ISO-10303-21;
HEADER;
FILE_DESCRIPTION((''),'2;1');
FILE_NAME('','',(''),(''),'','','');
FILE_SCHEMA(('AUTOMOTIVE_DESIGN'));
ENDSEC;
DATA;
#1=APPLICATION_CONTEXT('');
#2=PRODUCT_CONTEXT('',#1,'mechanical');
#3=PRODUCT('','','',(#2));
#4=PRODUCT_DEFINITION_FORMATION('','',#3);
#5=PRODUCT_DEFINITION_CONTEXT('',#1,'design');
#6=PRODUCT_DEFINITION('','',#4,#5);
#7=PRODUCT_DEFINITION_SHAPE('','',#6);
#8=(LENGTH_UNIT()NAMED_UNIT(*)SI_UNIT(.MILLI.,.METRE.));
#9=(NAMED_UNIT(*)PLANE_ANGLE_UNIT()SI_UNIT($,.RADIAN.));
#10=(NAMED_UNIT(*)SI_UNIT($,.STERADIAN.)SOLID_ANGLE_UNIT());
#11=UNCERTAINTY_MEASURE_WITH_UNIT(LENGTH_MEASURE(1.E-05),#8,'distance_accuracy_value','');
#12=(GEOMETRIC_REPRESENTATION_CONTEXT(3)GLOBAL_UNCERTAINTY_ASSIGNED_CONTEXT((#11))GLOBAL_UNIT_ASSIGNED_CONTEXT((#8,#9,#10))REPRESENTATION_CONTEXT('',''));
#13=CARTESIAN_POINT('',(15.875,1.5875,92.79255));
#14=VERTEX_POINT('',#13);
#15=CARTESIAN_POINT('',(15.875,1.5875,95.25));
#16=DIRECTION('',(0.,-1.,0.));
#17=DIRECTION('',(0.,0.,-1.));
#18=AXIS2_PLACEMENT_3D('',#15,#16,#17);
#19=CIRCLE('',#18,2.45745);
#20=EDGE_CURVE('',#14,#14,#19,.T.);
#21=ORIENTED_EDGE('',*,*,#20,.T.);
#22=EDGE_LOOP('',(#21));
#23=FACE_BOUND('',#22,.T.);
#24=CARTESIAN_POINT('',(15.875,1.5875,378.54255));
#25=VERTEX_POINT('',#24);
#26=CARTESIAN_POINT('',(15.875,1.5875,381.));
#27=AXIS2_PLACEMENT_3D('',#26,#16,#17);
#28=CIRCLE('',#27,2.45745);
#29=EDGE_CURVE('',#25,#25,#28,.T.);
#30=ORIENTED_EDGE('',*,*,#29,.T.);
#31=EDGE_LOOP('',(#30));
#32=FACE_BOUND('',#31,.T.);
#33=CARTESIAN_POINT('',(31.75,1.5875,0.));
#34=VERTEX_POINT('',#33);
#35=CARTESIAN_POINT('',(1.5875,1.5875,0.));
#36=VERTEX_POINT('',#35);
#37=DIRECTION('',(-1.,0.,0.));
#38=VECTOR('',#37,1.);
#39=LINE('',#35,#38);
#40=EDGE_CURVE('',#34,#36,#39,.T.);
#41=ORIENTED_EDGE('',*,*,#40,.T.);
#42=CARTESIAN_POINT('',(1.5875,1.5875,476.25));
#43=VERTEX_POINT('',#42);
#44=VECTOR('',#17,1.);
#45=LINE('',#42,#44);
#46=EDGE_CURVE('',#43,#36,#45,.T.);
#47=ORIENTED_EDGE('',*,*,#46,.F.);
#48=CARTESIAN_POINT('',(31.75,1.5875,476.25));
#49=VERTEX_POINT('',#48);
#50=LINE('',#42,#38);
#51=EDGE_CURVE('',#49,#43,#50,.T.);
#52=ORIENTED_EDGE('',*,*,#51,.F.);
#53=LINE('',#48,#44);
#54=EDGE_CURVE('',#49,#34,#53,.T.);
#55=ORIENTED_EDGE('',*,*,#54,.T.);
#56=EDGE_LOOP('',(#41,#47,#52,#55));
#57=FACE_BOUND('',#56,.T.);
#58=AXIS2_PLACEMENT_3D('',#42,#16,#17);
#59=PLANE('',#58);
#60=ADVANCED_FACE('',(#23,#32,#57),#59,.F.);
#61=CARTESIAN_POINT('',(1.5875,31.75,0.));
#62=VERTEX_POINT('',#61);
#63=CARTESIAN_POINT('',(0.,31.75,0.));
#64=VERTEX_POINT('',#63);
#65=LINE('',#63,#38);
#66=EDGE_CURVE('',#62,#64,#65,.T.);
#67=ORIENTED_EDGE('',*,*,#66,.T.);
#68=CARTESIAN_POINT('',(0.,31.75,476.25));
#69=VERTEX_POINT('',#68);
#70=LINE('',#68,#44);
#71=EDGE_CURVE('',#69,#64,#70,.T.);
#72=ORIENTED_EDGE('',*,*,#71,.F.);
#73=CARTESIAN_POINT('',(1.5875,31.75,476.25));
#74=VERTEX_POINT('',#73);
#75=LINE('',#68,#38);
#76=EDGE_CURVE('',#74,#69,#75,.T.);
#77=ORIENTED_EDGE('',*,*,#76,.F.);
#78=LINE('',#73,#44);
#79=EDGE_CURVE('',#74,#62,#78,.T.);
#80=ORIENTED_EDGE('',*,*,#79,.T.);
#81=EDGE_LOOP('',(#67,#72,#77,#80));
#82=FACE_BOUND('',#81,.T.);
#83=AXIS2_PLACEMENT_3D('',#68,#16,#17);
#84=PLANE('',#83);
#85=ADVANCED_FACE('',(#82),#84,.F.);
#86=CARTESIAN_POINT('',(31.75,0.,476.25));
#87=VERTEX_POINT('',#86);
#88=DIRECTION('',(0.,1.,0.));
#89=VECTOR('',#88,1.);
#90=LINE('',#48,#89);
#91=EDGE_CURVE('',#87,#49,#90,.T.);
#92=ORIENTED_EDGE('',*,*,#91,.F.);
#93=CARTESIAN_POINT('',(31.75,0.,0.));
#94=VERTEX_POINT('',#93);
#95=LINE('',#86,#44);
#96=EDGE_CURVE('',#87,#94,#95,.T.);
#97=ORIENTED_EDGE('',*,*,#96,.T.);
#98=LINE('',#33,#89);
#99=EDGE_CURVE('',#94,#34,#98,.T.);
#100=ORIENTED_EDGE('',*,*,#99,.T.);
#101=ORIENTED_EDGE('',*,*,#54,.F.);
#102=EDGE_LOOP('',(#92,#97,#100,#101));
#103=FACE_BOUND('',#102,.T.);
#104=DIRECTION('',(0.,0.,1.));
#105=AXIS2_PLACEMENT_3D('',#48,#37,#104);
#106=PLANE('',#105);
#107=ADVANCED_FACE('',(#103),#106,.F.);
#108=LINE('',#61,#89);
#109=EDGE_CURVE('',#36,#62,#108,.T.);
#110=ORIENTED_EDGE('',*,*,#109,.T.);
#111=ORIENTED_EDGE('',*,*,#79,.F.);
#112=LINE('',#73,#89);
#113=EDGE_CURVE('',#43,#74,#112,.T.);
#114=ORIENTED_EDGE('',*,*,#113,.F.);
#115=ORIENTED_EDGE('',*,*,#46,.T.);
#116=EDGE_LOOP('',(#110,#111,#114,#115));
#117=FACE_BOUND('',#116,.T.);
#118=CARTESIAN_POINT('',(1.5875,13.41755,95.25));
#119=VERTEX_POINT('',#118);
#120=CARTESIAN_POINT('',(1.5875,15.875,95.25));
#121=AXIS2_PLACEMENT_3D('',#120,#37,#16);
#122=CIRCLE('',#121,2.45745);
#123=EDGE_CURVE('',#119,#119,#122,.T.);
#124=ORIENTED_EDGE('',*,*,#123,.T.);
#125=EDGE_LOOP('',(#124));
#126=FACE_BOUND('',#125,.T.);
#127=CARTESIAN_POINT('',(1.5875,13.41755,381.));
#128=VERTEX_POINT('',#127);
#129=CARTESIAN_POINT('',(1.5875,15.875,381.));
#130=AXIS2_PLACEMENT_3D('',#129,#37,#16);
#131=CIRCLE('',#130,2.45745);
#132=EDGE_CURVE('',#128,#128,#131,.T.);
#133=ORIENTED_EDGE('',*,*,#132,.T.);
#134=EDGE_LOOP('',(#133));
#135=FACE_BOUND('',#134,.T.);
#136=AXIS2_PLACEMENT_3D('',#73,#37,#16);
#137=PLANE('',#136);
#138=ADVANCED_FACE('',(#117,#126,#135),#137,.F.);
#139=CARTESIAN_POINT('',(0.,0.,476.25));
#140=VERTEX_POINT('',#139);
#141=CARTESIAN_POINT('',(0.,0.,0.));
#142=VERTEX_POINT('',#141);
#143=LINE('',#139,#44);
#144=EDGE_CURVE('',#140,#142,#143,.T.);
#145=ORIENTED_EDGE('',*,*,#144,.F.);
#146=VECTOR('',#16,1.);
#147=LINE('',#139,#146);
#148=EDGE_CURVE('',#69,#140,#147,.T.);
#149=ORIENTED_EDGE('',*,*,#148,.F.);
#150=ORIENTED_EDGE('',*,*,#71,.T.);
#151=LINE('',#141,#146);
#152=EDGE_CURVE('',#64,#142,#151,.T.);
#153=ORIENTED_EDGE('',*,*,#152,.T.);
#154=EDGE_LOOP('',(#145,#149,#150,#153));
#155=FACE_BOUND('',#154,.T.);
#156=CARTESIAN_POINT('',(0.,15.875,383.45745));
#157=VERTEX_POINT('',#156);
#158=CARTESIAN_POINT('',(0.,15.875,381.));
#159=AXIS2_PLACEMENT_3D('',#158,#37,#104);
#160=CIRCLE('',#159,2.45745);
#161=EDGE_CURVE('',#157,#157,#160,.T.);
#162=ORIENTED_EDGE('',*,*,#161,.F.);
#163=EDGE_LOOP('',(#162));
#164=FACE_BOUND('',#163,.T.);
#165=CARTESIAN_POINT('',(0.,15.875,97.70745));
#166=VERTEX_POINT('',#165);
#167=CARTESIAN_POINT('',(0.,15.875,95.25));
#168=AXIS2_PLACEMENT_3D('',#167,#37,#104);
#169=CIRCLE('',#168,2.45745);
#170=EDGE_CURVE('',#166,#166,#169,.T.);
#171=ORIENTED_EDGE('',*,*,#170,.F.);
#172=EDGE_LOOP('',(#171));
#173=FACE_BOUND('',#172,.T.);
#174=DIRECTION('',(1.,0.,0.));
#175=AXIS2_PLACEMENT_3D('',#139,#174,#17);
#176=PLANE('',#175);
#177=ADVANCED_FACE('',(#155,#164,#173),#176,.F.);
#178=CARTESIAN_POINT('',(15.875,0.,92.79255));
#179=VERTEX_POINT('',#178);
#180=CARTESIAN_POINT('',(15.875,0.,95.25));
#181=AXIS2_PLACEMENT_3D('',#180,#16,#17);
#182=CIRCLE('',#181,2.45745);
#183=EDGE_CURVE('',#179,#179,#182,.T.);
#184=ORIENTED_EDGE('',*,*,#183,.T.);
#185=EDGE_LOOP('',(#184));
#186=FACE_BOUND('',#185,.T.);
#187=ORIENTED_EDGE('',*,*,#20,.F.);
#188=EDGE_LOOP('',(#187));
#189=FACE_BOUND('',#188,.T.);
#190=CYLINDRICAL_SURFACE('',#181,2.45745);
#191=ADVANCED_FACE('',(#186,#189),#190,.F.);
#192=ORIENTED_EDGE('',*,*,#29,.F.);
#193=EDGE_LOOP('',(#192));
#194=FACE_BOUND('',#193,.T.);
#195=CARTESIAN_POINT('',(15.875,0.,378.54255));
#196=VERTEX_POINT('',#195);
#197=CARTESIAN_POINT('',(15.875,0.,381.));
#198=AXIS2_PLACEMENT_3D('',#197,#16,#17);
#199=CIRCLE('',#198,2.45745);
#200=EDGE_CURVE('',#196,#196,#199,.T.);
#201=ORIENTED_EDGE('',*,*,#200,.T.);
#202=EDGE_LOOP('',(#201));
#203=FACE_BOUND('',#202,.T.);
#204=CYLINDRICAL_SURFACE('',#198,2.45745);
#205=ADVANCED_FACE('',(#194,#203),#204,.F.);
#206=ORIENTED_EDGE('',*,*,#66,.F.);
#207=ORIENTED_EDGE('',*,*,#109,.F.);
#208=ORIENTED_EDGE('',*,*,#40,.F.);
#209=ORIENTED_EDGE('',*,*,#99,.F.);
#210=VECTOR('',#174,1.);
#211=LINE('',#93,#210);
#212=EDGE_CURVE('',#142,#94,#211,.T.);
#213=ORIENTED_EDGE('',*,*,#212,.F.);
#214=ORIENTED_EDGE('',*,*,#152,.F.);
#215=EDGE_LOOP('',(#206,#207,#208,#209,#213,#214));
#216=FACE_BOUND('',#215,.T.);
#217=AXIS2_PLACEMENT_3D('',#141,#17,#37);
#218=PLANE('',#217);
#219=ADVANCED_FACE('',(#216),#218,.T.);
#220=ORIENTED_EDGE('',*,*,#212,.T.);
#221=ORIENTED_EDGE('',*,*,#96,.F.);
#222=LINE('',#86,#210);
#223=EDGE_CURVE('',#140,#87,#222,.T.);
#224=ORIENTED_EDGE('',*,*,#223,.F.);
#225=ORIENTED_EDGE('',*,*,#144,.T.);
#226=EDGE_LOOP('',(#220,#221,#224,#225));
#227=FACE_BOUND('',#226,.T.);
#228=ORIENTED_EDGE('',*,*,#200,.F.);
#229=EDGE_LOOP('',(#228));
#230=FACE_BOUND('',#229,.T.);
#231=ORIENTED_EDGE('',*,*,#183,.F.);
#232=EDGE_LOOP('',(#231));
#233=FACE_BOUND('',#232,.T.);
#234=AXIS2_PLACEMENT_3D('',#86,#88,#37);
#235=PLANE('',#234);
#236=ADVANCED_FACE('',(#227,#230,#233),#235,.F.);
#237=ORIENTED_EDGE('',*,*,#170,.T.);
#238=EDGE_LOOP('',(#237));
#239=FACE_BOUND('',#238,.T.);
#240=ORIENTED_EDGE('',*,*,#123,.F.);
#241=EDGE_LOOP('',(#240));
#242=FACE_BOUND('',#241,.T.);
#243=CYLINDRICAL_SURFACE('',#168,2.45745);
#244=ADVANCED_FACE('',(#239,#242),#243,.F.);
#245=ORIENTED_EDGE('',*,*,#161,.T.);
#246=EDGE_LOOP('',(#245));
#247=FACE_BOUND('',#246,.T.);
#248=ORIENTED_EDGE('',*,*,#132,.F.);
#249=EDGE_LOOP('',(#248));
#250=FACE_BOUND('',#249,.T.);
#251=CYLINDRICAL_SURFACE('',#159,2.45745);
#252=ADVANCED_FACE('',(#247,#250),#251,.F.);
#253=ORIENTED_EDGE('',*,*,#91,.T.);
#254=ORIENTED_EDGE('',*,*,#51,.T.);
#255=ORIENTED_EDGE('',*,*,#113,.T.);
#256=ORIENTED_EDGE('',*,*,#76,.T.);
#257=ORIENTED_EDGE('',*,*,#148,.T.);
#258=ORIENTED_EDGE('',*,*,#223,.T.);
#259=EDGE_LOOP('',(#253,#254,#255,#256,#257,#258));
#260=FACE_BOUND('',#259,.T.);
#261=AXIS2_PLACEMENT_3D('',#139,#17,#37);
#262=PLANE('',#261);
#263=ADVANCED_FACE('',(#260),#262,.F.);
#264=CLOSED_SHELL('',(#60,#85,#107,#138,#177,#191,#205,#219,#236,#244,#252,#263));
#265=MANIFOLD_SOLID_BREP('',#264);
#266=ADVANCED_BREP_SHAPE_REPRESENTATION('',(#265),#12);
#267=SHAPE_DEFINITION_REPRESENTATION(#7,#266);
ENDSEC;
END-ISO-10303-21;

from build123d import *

# Parameters (mm, degrees)
BOSS_EXTRUDE1_DEPTH          = 476.25
F_10_0_1935_DIAMETER_HOLE1_D = 4.9149
F_10_0_1935_DIAMETER_HOLE2_D = 4.9149


with BuildPart() as part:
    # Sketch2 → Boss-Extrude1 (new body)
    with BuildSketch(Plane.XY):
        Polygon((0, 0), (0, 31.75), (1.5875, 31.75), (1.5875, 1.5875), (31.75, 1.5875), (31.75, 0), align=None)
    extrude(amount=BOSS_EXTRUDE1_DEPTH)

    # #10 (0.1935) Diameter Hole1 (through all)
    with Locations(Plane.ZY):
        with Locations((95.25, 15.875), (381, 15.875)):
            Hole(F_10_0_1935_DIAMETER_HOLE1_D / 2)

    # #10 (0.1935) Diameter Hole2 (through all)
    with Locations(Plane(origin=(0, 0, 0), x_dir=(-1, 0, 0), z_dir=(0, -1, 0))):
        with Locations((-15.875, -95.25), (-15.875, -381)):
            Hole(F_10_0_1935_DIAMETER_HOLE2_D / 2)


solid = part.part
